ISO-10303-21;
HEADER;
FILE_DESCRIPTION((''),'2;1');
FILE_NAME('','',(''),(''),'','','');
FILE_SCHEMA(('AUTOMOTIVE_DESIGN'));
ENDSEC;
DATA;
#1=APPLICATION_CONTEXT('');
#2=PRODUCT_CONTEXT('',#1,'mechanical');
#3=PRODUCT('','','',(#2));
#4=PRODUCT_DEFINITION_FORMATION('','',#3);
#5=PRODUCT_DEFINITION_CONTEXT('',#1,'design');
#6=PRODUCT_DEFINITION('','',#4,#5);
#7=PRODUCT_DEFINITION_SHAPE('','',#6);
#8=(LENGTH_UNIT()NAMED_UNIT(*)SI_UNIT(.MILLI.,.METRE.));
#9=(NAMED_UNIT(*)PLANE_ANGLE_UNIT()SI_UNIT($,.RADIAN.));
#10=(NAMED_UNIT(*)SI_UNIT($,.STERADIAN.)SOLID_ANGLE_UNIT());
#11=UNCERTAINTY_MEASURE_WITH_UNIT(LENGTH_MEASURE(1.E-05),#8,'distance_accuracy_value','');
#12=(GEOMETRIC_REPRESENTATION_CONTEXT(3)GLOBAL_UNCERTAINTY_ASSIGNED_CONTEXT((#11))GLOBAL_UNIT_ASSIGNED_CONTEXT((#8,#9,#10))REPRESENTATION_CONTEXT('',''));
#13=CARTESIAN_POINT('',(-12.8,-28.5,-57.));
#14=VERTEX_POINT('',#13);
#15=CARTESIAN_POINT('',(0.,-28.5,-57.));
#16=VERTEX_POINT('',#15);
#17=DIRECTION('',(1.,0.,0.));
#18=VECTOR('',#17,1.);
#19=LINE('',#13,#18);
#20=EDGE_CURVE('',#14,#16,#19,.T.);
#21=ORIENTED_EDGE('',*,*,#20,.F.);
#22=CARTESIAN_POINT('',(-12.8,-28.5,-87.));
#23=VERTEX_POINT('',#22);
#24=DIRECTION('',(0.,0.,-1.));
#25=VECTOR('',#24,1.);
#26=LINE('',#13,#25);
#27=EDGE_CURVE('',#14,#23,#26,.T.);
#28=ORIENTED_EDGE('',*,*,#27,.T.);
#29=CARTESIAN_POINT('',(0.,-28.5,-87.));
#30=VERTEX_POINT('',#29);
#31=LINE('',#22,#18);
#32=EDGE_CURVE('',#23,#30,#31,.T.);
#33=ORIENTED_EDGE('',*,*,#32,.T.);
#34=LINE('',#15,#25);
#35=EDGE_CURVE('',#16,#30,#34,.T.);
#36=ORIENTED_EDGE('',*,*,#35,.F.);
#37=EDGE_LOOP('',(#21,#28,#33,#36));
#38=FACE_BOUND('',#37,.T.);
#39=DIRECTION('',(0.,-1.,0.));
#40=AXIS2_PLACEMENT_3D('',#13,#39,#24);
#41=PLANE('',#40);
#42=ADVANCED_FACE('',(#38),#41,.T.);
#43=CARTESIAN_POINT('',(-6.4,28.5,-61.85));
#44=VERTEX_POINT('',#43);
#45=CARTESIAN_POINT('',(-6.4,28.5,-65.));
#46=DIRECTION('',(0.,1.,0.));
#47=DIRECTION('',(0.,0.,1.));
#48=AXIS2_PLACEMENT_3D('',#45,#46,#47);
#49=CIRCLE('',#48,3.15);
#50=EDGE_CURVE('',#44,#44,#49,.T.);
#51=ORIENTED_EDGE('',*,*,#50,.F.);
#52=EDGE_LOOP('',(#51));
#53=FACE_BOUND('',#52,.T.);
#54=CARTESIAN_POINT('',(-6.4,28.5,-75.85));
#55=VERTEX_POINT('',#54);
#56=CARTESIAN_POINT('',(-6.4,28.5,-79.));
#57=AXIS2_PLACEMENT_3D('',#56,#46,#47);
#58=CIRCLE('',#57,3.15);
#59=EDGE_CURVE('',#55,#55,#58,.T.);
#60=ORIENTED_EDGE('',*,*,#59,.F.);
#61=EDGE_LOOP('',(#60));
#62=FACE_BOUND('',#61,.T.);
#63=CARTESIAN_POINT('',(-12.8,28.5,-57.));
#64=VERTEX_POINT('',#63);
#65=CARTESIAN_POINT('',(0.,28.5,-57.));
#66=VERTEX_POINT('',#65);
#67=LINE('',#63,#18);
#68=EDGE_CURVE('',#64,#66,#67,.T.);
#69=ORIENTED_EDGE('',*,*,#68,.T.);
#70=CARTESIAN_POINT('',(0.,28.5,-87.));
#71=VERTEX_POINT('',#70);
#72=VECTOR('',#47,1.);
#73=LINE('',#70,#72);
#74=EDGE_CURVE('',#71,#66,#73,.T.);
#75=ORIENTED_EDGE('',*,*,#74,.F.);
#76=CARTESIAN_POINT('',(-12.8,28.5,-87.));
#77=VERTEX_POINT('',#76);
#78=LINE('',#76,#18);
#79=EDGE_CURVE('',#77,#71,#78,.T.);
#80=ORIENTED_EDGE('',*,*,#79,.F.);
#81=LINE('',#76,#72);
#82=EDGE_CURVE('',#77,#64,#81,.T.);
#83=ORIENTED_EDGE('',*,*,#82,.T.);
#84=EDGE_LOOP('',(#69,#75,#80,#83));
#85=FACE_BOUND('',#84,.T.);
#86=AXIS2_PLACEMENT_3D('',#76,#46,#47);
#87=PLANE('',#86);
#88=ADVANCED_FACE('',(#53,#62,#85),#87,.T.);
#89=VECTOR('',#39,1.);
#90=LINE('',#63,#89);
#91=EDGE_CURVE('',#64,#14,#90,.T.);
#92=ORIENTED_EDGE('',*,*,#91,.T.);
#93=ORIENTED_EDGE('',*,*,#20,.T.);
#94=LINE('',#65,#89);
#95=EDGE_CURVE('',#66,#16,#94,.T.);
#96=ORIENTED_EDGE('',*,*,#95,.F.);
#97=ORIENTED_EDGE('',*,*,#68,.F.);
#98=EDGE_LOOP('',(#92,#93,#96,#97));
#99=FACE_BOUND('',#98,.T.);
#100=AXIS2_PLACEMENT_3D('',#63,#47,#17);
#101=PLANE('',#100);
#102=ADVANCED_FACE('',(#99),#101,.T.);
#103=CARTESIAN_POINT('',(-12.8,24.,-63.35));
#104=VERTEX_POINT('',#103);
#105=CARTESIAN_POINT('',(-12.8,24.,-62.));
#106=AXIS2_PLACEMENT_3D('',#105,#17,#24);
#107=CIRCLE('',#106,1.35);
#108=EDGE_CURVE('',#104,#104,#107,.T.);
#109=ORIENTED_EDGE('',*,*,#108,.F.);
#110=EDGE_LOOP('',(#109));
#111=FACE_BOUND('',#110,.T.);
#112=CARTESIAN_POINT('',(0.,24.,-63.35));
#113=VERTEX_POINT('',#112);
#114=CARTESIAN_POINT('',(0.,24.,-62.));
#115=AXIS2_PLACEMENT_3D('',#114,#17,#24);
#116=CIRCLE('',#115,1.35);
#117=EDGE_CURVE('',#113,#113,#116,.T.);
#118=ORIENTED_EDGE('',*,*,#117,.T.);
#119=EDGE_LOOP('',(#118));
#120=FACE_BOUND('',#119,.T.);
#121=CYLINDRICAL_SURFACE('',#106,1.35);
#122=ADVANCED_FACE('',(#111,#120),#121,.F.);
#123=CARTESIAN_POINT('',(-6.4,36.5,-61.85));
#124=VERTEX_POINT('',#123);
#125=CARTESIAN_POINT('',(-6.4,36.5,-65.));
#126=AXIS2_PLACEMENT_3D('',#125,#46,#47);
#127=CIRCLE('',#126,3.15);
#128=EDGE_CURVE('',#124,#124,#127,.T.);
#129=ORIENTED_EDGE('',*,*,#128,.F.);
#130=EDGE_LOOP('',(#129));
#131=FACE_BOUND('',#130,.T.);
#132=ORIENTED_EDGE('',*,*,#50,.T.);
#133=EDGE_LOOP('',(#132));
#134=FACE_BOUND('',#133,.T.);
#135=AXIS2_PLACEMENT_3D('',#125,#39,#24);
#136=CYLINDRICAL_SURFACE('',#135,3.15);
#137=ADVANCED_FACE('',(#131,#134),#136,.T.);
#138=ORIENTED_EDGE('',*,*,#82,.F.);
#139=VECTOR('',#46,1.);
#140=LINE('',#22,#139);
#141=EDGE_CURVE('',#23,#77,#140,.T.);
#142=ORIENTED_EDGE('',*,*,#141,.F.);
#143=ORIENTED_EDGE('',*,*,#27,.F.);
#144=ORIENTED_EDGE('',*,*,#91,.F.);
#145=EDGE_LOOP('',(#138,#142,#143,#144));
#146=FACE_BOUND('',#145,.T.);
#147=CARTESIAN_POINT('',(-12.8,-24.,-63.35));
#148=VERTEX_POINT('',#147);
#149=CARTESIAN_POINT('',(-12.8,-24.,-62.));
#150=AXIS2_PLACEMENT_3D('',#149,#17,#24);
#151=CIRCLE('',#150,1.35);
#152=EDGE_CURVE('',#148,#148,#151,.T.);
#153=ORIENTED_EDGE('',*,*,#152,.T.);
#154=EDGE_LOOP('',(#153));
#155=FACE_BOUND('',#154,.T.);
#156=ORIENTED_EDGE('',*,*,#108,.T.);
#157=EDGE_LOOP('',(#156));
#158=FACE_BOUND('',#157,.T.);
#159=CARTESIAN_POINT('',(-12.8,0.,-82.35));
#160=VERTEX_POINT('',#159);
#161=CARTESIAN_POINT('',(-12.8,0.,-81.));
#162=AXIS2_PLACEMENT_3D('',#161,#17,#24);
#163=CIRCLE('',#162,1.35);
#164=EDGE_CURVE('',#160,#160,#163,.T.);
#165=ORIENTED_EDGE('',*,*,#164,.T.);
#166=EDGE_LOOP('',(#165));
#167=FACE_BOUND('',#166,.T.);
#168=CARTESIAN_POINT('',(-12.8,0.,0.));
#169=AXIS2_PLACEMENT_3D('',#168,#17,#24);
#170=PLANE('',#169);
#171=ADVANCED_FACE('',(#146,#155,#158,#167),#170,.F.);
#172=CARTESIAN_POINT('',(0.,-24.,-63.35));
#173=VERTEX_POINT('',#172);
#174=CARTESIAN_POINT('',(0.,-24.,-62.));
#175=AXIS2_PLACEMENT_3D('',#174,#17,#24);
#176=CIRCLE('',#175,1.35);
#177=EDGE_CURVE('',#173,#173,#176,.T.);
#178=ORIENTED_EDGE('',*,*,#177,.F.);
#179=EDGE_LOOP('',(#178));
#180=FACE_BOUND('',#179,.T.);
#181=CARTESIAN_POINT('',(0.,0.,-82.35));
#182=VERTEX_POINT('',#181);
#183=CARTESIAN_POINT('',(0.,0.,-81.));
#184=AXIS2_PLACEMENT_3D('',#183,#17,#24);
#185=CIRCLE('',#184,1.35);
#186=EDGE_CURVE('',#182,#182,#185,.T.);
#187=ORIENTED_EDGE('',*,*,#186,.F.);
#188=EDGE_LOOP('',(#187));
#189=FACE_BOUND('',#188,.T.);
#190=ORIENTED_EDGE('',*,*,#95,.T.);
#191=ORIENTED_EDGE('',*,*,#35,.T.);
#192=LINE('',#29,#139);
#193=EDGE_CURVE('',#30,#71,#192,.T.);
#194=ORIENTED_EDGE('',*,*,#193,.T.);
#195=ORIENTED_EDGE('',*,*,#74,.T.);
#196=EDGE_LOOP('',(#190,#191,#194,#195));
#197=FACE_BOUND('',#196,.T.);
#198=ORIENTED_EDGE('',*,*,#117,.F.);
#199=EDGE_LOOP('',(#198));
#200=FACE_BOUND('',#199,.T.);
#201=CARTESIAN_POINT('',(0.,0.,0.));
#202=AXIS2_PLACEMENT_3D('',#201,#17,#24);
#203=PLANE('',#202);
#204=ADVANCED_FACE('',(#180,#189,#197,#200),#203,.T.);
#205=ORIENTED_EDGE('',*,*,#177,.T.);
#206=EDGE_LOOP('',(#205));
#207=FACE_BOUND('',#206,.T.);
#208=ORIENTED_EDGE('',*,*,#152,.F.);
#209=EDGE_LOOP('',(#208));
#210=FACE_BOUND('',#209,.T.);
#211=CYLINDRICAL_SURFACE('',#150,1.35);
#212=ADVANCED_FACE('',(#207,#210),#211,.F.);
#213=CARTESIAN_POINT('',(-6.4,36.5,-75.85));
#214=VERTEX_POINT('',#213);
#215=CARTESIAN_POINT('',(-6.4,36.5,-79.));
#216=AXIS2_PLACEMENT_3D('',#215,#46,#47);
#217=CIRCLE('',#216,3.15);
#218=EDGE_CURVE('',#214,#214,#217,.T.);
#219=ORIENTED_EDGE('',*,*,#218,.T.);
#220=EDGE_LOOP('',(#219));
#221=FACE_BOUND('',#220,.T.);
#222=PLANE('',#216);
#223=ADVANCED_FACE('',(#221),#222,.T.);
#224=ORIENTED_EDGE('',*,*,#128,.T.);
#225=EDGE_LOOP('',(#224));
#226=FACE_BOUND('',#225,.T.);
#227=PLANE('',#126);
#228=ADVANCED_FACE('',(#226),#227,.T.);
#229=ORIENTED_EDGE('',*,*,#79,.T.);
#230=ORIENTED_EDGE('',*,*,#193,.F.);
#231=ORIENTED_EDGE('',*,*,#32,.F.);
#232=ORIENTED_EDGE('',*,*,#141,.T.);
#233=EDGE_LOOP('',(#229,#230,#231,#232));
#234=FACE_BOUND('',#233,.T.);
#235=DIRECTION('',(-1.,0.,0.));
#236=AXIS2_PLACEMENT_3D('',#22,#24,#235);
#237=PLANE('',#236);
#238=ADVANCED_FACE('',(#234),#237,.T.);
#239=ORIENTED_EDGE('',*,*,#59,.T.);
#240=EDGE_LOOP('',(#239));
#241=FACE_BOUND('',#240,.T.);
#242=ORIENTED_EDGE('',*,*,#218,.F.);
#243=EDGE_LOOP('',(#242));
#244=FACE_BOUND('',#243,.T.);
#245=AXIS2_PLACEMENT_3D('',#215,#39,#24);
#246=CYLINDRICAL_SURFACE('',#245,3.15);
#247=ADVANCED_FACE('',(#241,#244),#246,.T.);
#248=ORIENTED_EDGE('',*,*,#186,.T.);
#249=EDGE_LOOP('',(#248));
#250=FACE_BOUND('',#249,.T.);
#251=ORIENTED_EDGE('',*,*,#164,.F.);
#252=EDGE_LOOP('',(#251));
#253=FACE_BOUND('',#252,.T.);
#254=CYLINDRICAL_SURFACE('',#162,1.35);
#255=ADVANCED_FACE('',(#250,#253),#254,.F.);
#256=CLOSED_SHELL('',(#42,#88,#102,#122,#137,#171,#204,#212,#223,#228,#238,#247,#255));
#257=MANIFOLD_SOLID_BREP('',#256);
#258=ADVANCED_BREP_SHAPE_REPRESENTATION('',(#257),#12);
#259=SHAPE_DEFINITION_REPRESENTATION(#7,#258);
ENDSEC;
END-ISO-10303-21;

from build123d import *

# Parameters (mm, degrees)
CASE_SKETCH_W  = 30
CASE_SKETCH_H  = 57
CASE_SKETCH_R  = 1.35
CASE_2_DEPTH   = 12.8
PORTS_START    = 28.5
PORTS_SKETCH_R = 3.15
PORTS_DEPTH    = 8


with BuildPart() as part:
    # Case Sketch → Case 2 (new body)
    with BuildSketch(Plane(origin=(0, 0, 0), x_dir=(0, 0, -1), z_dir=(1, 0, 0))):
        with Locations((72, 0)):
            Rectangle(CASE_SKETCH_W, CASE_SKETCH_H)
        with Locations((62, -24)):
            Circle(CASE_SKETCH_R, mode=Mode.SUBTRACT)
        with Locations((62, 24)):
            Circle(CASE_SKETCH_R, mode=Mode.SUBTRACT)
        with Locations((81, 0)):
            Circle(CASE_SKETCH_R, mode=Mode.SUBTRACT)
    extrude(amount=-CASE_2_DEPTH)

    # Ports Sketch → Ports (add)
    with BuildSketch(Plane(origin=(0, 0, 0), x_dir=(1, 0, 0), z_dir=(0, 1, 0)).offset(PORTS_START)):
        with Locations((-6.4, 65)):
            Circle(PORTS_SKETCH_R)
        with Locations((-6.4, 79)):
            Circle(PORTS_SKETCH_R)
    extrude(amount=PORTS_DEPTH)


solid = part.part
